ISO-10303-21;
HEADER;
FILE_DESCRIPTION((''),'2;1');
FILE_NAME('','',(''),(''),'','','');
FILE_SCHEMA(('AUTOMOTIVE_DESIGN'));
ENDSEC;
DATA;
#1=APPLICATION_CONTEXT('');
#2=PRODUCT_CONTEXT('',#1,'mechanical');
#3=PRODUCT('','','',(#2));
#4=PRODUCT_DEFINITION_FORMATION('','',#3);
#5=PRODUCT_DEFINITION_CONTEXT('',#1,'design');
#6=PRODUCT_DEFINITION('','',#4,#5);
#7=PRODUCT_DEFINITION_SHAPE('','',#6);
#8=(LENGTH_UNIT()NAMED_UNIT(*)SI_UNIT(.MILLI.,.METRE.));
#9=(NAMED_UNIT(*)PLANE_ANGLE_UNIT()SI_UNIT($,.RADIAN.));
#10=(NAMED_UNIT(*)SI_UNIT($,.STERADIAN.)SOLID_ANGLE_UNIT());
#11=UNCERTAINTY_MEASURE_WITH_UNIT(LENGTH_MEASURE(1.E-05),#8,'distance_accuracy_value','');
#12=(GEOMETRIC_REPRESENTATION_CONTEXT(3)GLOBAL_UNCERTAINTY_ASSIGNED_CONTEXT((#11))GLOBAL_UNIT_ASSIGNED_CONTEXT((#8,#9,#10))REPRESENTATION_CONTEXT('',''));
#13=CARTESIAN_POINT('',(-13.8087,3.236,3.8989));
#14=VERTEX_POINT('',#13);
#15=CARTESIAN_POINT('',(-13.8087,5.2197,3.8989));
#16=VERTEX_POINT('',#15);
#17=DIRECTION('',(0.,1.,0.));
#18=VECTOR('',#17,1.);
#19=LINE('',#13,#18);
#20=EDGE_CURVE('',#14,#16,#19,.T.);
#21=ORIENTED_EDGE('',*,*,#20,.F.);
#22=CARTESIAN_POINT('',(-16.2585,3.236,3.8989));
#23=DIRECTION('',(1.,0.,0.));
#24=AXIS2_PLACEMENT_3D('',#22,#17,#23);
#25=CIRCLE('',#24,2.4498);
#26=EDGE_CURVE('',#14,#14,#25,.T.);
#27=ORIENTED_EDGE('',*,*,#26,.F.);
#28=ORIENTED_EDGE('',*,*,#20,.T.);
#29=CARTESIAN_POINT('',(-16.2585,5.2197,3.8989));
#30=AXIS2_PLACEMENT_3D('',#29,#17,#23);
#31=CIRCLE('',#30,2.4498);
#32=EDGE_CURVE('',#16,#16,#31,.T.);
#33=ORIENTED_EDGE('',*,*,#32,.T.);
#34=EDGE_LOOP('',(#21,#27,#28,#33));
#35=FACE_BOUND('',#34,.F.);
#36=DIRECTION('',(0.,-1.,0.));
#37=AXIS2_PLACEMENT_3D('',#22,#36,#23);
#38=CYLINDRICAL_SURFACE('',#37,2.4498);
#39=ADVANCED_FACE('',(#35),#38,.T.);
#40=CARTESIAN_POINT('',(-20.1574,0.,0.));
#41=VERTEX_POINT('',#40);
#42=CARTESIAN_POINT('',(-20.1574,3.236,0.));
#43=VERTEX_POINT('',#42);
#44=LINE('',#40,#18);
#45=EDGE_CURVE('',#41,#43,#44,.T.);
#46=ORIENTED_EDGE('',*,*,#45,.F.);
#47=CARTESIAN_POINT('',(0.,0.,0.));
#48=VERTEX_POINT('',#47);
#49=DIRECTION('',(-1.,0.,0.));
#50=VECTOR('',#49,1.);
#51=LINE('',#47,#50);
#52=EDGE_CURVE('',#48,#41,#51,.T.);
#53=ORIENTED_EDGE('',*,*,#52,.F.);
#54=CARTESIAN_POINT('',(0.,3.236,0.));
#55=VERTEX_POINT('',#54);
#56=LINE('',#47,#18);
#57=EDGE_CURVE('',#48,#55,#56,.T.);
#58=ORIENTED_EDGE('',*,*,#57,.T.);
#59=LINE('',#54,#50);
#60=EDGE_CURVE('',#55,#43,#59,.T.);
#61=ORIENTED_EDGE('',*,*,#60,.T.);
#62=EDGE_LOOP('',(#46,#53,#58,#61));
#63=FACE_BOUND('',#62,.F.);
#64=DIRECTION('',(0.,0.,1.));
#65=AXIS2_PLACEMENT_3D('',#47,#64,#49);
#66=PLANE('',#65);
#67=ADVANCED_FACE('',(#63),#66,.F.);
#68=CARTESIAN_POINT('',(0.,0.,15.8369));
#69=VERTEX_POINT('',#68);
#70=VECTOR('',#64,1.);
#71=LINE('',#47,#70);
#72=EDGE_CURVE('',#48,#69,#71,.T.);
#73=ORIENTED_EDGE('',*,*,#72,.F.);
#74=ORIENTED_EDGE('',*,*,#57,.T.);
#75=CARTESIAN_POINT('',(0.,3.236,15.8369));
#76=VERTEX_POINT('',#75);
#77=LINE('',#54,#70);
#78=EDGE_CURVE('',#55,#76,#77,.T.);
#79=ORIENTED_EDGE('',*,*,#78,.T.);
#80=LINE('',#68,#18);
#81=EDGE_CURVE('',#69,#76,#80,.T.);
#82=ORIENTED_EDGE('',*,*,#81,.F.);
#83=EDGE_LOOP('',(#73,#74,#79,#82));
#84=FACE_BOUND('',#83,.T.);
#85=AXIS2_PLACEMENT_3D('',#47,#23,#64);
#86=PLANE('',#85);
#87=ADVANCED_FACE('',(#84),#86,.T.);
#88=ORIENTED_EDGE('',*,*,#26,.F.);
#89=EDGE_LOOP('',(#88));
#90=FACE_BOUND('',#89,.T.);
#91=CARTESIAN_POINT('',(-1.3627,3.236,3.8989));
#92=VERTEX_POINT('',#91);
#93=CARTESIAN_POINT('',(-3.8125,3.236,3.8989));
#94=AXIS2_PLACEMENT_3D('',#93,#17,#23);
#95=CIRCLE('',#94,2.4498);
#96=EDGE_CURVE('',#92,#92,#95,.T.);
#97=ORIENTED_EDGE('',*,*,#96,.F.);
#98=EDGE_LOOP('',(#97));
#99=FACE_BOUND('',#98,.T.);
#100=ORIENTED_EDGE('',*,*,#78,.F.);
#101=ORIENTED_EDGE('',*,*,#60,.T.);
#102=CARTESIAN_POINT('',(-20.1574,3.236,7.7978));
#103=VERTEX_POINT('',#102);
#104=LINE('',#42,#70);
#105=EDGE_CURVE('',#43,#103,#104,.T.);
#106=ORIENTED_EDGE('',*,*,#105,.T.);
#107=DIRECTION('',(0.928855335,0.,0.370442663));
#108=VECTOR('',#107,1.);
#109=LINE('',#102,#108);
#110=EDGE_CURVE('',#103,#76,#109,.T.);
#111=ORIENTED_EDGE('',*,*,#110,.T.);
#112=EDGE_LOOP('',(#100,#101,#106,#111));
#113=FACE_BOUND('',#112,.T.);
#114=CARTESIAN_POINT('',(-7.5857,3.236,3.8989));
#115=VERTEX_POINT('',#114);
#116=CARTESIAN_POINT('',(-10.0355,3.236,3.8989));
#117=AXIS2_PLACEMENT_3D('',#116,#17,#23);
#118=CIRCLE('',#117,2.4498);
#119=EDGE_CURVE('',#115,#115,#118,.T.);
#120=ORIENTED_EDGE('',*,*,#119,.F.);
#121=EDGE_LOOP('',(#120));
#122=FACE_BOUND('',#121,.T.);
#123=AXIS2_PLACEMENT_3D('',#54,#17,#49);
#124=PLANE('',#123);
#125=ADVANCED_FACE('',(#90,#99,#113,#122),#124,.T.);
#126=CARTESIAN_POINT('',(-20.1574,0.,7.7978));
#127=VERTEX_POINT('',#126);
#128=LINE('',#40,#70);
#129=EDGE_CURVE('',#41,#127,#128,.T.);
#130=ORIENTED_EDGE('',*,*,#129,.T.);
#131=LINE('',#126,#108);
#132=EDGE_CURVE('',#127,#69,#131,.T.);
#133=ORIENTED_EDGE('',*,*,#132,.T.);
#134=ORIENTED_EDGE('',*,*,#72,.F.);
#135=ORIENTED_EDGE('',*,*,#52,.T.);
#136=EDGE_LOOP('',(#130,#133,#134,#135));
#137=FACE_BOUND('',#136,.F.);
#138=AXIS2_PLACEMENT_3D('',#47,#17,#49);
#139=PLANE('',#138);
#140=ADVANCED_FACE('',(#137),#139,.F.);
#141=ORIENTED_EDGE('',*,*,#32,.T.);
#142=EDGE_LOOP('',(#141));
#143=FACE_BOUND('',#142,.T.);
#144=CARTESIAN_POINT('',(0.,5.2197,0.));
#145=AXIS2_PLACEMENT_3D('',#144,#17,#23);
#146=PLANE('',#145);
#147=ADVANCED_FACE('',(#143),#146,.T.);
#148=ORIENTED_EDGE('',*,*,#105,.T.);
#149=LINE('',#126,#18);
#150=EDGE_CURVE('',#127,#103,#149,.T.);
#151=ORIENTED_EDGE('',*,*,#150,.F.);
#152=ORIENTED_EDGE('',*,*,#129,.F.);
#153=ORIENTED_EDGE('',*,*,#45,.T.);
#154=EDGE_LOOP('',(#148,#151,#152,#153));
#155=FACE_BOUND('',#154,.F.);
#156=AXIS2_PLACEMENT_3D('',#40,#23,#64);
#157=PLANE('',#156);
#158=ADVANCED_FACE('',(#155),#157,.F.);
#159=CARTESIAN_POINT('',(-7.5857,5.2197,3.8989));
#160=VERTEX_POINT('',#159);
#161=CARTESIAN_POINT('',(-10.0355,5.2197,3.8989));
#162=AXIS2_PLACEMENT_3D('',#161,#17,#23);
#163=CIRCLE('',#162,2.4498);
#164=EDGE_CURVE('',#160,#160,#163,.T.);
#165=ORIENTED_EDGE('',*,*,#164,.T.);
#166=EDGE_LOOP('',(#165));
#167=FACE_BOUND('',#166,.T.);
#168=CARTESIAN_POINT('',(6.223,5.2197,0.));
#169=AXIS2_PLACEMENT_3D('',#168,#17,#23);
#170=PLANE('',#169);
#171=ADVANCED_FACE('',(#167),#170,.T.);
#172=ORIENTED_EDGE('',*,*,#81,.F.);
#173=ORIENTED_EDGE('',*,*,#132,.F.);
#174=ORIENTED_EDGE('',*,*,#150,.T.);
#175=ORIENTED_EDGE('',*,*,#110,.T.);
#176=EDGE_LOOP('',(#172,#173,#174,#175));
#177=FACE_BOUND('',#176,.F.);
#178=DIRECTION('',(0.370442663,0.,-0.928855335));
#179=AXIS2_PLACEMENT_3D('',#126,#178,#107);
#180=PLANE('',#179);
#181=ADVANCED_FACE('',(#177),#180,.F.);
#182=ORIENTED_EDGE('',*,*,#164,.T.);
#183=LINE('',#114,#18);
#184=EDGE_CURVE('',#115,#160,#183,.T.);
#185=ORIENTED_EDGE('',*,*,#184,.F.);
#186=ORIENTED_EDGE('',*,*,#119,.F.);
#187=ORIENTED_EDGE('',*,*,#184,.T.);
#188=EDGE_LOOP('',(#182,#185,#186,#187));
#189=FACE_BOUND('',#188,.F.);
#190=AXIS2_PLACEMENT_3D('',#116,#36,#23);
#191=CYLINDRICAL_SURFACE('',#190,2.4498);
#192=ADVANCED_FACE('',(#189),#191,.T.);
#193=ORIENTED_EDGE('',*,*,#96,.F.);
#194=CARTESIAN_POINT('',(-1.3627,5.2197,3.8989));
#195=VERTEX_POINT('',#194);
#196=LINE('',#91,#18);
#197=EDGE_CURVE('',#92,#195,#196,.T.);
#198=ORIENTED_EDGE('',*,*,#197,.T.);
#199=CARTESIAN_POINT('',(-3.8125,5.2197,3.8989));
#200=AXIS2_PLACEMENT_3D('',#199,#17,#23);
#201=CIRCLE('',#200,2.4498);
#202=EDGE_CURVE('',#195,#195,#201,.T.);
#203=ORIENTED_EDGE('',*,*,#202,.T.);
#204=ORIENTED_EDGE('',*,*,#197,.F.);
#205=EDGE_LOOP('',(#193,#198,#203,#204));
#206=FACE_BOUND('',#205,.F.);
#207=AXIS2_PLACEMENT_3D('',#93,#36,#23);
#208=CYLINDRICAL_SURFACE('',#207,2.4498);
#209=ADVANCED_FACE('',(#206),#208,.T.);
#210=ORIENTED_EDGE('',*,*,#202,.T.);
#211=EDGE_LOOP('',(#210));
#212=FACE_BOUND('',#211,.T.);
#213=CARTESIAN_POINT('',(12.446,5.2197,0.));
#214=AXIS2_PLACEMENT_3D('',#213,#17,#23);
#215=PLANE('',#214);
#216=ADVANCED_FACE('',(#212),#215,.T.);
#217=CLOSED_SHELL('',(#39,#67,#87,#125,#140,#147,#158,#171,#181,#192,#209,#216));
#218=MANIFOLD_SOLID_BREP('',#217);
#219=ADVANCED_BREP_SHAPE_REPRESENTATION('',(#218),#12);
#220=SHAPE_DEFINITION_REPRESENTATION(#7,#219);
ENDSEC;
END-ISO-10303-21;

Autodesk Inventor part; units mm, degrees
ref_plane "YZ Plane" through (0, 0, 0) normal (1, 0, 0) x (0, 1, 0)
ref_plane "XZ Plane" through (0, 0, 0) normal (0, 1, 0) x (-1, 0, 0)
ref_plane "XY Plane" through (0, 0, 0) normal (0, 0, 1) x (1, 0, 0)
sketch "Sketch1" plane through (0, 0, 0) normal (0, 1, 0) x (-1, 0, 0)
  line L0 (0, 0) -> (0, 15.8369)
  line L1 (0, 0) -> (20.1574, 0)
  line L2 (20.1574, 0) -> (20.1574, 7.7978)
  line L3 (20.1574, 7.7978) -> (0, 15.8369)
  dimension "d0" = 15.8369
  dimension "d1" = 20.1574
  dimension "d2" = 7.7978
extrude "Extrusion1" add sketch "Sketch1" along normal blind 3.236
sketch "Sketch2" plane through (0, 3.236, 0) normal (0, 1, 0) x (1, 0, 0)
  line L0 (-20.1574, -7.7978) -> (0, -15.8369) projected
  line L1 (-20.1574, 0) -> (-20.1574, -7.7978)
  line L2 (0, 0) -> (-20.1574, 0) projected
  line L3 (-20.1574, 0) -> (-20.1574, -7.7978)
  circle A0 centre (-16.2585, -3.8989) radius 2.4498
  dimension "d7" = 4.8997
extrude "Extrusion2" add sketch "Sketch2" along normal blind 1.9837
pattern_linear "Rectangular Pattern1" count 3 spacing 6.223 along (1, 0, 0) of "Extrusion2"
properties part number "other diagonal piece"
